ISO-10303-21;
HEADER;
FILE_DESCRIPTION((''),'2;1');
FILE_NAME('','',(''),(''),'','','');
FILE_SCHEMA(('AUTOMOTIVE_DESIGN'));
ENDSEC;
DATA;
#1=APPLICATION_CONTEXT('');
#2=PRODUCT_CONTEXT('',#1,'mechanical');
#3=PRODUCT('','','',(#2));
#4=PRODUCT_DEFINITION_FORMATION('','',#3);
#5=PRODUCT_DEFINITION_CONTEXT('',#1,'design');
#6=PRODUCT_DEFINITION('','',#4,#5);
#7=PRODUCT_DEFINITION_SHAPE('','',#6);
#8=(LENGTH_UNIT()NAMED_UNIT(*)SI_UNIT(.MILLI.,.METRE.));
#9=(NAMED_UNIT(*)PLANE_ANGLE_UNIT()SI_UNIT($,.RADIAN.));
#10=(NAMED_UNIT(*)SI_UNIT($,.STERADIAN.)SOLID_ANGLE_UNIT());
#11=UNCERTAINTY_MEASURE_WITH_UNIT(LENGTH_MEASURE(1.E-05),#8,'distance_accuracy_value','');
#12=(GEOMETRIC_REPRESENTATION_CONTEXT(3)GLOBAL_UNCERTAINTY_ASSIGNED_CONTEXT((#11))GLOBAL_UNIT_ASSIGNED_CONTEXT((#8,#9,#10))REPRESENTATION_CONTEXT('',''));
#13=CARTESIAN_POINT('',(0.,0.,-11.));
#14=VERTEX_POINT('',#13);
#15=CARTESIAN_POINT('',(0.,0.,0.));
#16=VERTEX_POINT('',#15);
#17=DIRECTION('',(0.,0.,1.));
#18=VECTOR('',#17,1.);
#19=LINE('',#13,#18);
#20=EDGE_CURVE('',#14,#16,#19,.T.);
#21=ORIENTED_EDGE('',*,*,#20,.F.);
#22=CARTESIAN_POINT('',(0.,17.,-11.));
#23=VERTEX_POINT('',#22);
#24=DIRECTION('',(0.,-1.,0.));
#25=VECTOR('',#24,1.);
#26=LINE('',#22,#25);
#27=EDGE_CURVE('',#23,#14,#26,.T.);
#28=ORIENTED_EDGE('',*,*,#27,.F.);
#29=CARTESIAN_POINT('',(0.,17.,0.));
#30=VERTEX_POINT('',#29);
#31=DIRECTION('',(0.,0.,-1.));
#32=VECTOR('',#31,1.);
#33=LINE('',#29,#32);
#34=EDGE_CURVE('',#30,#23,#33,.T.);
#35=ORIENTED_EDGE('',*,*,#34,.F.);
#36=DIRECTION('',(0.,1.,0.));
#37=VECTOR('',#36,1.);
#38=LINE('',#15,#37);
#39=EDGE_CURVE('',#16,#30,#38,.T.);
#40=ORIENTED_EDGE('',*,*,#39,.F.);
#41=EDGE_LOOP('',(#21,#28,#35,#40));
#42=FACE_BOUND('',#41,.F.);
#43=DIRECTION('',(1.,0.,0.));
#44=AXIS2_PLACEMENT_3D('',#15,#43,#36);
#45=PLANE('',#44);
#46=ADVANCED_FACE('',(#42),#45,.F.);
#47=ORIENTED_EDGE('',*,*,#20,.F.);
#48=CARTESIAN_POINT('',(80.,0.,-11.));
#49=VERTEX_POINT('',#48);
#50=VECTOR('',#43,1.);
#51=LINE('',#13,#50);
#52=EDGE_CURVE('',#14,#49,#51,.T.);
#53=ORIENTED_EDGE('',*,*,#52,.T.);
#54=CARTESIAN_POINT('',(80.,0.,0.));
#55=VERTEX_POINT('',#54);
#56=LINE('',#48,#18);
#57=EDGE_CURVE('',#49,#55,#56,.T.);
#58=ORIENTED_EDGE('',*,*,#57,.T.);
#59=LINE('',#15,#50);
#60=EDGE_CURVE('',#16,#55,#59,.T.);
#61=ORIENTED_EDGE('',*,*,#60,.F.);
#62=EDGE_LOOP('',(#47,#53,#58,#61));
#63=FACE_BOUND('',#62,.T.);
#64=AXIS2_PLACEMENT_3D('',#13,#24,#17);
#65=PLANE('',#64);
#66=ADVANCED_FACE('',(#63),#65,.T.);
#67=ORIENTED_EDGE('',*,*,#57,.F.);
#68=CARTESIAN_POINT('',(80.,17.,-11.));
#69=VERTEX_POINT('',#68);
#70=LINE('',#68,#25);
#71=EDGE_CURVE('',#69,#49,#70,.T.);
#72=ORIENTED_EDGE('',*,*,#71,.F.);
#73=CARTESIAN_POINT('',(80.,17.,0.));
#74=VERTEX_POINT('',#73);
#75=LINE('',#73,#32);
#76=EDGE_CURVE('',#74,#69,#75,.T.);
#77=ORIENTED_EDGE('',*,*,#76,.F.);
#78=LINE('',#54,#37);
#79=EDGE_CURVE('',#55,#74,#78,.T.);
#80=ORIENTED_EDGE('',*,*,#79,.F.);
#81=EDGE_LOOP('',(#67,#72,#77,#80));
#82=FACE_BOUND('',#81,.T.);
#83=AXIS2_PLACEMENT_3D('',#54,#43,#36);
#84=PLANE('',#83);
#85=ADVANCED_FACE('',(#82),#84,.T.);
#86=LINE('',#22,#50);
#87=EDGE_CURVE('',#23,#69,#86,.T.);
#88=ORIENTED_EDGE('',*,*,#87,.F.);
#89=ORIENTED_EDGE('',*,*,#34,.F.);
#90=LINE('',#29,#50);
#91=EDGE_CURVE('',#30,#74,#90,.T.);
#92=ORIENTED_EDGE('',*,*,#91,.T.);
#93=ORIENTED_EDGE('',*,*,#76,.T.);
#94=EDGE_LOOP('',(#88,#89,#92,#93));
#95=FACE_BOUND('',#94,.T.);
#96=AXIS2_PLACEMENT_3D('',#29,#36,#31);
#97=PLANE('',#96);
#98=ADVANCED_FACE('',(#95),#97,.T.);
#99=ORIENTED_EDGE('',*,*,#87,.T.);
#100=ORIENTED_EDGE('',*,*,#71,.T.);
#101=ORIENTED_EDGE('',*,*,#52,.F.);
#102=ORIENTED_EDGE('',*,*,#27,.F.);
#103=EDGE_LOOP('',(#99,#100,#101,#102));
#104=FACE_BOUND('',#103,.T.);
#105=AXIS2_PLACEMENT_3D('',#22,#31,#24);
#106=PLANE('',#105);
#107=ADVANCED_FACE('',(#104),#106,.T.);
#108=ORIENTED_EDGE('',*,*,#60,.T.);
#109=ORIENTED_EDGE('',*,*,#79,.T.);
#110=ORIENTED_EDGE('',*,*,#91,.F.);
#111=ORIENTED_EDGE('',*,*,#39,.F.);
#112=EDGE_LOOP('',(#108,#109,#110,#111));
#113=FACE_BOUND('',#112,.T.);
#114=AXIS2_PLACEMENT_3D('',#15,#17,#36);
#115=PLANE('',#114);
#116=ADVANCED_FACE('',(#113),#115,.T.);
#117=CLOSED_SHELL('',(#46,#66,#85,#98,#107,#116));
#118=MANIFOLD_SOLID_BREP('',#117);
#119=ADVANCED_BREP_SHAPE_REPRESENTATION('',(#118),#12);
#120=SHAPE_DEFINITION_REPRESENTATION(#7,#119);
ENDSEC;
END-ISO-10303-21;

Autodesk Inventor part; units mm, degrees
ref_plane "YZ Plane" through (0, 0, 0) normal (1, 0, 0) x (0, 1, 0)
ref_plane "XZ Plane" through (0, 0, 0) normal (0, 1, 0) x (-1, 0, 0)
ref_plane "XY Plane" through (0, 0, 0) normal (0, 0, 1) x (1, 0, 0)
sketch "スケッチ1" plane through (0, 0, 0) normal (1, 0, 0) x (0, 1, 0)
  line L0 (0, 0) -> (17, 0)
  line L1 (17, 0) -> (17, -11)
  line L2 (17, -11) -> (0, -11)
  line L3 (0, -11) -> (0, 0)
  dimension "d0" = 17
  dimension "d1" = 11
extrude "押し出し1" add sketch "スケッチ1" along normal blind 80
properties part number "リポ電池黒"
